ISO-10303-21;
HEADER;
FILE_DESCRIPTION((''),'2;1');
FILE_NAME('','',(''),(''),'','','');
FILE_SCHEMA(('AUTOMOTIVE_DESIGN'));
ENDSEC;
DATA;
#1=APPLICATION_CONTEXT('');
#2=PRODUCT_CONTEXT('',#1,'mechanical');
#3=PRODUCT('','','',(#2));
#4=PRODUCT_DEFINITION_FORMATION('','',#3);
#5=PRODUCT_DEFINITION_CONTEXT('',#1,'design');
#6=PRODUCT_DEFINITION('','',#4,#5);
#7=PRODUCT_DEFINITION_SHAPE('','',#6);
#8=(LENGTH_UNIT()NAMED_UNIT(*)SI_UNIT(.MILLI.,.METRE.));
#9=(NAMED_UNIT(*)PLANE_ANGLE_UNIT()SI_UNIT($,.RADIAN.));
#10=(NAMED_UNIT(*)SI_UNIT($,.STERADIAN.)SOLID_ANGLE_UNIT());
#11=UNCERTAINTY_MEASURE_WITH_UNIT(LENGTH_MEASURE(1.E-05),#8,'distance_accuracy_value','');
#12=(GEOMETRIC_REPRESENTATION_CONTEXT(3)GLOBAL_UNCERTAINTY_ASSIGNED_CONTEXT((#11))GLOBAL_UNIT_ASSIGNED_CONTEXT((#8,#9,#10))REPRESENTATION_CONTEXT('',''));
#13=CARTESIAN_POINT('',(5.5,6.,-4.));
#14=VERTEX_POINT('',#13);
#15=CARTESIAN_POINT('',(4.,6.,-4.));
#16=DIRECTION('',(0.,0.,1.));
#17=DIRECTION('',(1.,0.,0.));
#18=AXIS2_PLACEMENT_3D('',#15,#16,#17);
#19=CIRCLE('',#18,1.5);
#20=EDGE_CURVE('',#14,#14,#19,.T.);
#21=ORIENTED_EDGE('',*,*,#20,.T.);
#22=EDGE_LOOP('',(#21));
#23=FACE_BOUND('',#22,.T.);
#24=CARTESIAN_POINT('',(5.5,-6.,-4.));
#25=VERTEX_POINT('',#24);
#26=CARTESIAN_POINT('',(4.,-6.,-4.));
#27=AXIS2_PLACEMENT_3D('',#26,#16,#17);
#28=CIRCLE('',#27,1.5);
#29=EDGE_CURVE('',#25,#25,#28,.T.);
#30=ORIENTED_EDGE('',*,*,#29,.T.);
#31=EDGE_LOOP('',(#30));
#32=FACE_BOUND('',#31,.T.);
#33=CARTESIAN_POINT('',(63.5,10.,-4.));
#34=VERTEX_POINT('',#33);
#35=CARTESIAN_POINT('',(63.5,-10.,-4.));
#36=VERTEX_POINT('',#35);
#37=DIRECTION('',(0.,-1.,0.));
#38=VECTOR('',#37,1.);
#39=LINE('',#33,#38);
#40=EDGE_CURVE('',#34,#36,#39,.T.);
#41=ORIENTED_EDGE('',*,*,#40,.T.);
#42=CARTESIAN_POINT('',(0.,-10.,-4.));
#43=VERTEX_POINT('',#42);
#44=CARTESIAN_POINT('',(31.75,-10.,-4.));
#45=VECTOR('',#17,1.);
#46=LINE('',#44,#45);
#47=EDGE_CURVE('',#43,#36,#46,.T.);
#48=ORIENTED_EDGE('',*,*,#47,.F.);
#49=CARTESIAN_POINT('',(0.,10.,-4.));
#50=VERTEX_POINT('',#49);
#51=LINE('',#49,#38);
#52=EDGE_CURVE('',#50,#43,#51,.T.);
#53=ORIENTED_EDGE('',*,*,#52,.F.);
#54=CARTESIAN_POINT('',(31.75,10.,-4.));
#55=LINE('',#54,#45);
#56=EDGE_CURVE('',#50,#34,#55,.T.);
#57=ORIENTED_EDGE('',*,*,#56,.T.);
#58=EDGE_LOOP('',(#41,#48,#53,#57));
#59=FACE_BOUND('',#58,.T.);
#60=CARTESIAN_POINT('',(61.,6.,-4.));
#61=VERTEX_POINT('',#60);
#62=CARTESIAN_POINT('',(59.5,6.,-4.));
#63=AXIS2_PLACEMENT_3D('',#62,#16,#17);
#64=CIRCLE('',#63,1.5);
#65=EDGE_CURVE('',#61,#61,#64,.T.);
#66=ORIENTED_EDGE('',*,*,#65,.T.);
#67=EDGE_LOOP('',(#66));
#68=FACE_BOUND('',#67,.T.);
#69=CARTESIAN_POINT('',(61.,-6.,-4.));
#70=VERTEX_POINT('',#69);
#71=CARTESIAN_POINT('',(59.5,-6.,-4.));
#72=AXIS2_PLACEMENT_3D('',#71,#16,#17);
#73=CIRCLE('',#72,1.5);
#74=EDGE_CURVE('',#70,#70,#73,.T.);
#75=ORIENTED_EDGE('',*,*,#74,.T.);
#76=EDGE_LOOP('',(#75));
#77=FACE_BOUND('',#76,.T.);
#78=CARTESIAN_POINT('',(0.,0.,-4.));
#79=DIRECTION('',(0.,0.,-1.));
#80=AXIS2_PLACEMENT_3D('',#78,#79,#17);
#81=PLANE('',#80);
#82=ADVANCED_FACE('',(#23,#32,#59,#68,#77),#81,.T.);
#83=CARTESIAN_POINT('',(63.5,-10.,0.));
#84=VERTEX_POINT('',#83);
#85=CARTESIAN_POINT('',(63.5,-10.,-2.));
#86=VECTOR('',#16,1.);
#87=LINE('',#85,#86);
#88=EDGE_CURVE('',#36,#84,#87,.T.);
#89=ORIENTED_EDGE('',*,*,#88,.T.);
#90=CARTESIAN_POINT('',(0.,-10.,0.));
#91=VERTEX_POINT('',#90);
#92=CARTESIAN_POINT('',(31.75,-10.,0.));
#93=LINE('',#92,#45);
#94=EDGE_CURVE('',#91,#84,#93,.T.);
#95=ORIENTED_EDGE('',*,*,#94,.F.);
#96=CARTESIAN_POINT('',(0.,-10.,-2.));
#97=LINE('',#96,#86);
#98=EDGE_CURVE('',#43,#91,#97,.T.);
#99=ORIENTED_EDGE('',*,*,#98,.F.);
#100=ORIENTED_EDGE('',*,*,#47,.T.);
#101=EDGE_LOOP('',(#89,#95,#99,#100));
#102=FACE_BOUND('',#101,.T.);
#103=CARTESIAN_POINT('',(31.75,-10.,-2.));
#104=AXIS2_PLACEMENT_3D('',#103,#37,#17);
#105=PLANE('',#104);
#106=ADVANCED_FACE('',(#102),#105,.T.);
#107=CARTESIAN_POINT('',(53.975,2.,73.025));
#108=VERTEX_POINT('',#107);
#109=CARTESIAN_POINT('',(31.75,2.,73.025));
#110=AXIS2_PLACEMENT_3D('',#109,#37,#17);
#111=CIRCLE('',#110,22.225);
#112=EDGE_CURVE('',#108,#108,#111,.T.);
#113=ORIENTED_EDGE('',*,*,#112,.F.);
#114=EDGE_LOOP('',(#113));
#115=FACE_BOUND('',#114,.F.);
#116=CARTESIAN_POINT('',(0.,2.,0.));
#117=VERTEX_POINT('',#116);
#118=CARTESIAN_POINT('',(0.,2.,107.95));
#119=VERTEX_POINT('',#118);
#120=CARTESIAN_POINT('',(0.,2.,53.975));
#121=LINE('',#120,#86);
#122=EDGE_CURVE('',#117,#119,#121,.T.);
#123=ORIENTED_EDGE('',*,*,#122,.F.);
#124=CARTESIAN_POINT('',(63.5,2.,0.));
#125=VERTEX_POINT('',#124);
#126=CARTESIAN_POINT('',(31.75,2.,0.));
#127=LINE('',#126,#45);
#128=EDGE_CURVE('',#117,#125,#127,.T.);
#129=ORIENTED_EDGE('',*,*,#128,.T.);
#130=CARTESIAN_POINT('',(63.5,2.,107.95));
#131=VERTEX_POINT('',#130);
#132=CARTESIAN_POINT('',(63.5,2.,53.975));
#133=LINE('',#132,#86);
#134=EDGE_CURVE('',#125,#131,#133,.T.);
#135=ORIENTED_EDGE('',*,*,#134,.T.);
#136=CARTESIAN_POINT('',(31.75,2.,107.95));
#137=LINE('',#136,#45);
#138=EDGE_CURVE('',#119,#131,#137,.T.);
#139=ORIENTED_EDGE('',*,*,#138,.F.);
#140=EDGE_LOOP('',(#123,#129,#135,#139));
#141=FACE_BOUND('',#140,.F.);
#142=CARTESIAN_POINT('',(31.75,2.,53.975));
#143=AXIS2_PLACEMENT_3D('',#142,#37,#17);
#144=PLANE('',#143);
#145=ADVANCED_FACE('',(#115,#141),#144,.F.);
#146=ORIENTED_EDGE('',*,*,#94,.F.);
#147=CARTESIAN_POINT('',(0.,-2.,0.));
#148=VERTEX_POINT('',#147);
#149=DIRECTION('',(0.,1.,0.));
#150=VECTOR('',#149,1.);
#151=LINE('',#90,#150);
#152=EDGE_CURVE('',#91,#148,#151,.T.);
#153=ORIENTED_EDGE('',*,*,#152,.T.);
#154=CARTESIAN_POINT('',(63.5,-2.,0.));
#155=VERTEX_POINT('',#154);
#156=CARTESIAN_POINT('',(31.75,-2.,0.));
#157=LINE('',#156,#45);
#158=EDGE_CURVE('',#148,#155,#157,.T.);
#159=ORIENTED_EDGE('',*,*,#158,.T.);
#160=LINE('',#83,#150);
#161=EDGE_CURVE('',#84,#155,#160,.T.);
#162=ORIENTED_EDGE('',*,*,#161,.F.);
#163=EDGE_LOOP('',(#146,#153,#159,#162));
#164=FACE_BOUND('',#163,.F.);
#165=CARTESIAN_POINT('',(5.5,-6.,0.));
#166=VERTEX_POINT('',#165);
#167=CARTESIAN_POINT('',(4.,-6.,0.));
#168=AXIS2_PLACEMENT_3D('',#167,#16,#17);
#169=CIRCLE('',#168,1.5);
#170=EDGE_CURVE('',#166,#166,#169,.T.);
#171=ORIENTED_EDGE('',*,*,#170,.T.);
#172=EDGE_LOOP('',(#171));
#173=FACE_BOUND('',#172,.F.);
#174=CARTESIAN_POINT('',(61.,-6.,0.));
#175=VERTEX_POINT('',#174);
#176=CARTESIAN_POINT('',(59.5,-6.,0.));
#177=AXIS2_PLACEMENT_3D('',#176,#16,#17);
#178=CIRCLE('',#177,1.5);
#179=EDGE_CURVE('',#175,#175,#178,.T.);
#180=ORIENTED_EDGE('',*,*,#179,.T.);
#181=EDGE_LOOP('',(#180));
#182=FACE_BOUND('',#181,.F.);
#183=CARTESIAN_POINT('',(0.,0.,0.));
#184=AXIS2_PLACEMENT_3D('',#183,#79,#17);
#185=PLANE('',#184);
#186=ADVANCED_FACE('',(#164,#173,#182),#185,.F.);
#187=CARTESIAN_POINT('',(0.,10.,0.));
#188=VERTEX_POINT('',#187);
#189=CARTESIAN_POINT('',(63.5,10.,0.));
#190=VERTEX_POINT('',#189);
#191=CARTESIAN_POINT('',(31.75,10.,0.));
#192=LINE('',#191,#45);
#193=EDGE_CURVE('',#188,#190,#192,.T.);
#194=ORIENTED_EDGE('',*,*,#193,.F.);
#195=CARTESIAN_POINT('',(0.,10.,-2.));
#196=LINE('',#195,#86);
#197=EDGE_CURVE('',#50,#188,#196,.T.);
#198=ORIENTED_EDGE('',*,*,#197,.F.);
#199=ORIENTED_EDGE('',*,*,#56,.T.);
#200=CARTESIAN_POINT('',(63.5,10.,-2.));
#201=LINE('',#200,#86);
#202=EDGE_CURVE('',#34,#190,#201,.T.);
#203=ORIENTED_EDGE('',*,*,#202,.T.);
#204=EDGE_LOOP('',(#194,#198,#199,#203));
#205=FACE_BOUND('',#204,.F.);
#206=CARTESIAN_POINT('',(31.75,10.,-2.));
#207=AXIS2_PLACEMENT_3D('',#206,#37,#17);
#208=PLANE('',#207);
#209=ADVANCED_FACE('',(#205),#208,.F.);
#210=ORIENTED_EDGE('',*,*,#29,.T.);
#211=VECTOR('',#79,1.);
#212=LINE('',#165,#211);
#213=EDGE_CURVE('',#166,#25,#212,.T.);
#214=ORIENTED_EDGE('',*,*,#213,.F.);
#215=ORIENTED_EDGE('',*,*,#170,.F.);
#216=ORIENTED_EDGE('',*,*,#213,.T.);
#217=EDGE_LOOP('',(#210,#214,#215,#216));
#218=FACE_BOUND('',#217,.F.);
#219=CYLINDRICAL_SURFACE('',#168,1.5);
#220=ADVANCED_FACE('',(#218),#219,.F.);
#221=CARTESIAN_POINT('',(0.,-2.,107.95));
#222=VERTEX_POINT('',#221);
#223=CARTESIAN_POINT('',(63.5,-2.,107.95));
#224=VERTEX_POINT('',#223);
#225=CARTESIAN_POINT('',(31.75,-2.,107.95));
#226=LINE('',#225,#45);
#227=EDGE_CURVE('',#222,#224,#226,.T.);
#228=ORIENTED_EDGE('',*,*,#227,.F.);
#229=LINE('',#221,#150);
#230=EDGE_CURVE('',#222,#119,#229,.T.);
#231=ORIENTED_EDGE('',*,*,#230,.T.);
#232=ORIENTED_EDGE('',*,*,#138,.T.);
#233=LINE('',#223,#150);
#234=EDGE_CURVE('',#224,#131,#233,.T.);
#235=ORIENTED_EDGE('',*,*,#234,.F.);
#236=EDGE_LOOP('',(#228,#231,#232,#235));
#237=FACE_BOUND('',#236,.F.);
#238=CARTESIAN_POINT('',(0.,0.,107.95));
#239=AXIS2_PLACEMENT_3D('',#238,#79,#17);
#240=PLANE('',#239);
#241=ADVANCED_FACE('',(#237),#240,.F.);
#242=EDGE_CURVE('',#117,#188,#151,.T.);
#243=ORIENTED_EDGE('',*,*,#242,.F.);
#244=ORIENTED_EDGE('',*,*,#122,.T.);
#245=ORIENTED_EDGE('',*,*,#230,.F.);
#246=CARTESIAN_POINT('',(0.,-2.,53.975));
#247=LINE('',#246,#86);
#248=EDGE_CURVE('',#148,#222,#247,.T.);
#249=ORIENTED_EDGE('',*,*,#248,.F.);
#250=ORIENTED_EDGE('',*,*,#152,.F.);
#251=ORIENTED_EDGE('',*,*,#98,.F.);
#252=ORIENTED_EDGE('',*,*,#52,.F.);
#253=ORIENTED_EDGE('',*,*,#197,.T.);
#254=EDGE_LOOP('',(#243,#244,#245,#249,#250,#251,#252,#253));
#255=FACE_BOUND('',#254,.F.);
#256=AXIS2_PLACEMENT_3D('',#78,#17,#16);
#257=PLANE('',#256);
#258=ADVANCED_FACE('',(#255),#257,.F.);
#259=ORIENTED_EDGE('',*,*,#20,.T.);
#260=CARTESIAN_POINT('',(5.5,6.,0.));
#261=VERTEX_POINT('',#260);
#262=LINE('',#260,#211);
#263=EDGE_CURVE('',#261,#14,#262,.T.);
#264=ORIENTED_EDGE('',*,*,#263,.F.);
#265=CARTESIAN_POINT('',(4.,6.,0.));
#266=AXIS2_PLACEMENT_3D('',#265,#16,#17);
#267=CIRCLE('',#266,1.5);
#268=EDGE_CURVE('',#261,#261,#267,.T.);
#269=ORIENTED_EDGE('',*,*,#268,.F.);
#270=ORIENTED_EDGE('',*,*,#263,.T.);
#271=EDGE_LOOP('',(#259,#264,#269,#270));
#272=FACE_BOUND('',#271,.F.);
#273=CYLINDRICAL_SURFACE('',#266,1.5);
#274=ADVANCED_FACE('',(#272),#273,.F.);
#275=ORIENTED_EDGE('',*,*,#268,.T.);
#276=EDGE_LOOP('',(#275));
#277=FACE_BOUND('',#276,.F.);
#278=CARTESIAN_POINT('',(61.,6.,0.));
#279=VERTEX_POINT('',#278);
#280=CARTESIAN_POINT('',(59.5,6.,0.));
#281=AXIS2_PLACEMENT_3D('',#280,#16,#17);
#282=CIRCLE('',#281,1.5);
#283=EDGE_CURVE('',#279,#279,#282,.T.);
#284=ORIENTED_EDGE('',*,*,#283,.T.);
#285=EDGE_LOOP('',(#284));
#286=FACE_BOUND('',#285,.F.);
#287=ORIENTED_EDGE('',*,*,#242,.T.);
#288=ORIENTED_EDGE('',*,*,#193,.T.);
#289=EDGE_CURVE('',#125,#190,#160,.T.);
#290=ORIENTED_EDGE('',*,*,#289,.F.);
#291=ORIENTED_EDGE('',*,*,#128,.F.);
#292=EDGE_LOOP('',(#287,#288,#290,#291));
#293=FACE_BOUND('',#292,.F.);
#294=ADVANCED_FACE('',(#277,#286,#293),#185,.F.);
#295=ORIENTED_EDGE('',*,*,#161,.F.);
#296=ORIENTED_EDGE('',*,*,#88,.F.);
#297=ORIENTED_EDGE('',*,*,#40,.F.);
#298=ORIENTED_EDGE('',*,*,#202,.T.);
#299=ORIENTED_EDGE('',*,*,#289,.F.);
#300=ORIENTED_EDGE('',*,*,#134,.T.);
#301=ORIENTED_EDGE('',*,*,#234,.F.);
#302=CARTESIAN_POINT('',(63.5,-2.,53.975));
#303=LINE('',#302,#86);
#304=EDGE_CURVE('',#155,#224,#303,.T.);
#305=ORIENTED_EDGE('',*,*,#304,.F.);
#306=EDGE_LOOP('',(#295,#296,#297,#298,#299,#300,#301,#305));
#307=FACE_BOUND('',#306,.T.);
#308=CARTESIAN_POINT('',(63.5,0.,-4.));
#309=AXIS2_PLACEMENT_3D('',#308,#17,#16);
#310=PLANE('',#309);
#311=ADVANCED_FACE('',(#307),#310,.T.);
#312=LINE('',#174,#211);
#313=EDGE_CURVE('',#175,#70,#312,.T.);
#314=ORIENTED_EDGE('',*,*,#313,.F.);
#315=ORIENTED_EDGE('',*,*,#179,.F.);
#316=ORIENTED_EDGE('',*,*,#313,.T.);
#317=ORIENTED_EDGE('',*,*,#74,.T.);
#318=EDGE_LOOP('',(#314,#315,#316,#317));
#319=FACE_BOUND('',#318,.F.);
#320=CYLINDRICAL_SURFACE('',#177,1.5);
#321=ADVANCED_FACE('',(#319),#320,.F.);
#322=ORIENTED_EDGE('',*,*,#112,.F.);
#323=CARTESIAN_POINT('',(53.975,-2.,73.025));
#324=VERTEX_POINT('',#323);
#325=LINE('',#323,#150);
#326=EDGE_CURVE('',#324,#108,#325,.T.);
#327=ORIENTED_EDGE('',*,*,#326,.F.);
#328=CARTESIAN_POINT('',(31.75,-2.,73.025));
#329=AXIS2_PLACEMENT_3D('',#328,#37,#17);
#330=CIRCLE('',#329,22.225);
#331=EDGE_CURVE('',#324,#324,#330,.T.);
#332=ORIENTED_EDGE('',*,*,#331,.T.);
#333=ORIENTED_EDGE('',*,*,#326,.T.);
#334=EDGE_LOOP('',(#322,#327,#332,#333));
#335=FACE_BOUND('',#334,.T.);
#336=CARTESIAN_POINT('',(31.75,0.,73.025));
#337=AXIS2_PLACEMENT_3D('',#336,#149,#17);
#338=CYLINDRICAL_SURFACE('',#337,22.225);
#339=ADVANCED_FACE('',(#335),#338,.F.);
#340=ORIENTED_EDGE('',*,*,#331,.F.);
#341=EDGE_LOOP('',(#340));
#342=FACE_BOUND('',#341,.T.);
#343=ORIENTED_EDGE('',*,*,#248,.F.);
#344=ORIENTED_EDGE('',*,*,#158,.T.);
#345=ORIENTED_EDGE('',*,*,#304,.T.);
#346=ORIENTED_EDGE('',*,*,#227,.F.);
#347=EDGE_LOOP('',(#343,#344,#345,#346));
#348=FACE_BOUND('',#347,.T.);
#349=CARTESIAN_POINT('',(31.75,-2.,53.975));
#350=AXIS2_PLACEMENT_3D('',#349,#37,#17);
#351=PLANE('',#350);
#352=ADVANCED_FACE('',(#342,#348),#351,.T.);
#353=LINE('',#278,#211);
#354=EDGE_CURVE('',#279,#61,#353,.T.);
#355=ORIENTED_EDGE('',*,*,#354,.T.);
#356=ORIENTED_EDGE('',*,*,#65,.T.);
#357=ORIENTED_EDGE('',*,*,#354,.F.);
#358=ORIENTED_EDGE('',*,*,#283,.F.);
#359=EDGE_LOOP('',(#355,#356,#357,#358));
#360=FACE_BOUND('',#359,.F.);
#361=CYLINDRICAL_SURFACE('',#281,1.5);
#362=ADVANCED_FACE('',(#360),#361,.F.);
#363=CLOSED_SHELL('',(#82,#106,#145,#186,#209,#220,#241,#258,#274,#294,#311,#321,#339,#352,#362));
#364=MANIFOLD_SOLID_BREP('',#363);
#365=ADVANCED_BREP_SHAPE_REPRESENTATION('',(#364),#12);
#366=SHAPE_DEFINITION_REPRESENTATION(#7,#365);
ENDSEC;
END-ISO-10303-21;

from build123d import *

# Parameters (mm, degrees)
F0_W     = 63.5
F0_H     = 107.95
F0_R     = 22.225
F1_DEPTH = 2
F2_W     = 63.5
F2_H     = 4
F3_DEPTH = 10
F4_R     = 1.5
F5_DEPTH = 25
F6_R     = 1.5
F7_DEPTH = 25


with BuildPart() as f1:
    # F0 (on Front) → F1 (new body, symmetric)
    with BuildSketch(Plane.XZ):
        with Locations((31.75, 53.975)):
            Rectangle(F0_W, F0_H)
        with Locations((31.75, 73.025)):
            Circle(F0_R, mode=Mode.SUBTRACT)
    extrude(amount=F1_DEPTH, both=True)

    # F2 (on Front) → F3 (join, symmetric)
    with BuildSketch(Plane.XZ):
        with Locations((31.75, -2)):
            Rectangle(F2_W, F2_H)
    extrude(amount=F3_DEPTH, both=True)

    # F4 (on face) → F5 (cut)
    with BuildSketch(Plane.XY):
        with Locations((4, 6)):
            Circle(F4_R)
        with Locations((59.5, 6)):
            Circle(F4_R)
    extrude(amount=-F5_DEPTH, mode=Mode.SUBTRACT)

    # F6 (on face) → F7 (cut)
    with BuildSketch(Plane.XY):
        with Locations((4, -6)):
            Circle(F6_R)
        with Locations((59.5, -6)):
            Circle(F6_R)
    extrude(amount=-F7_DEPTH, mode=Mode.SUBTRACT)


solid = f1.part
